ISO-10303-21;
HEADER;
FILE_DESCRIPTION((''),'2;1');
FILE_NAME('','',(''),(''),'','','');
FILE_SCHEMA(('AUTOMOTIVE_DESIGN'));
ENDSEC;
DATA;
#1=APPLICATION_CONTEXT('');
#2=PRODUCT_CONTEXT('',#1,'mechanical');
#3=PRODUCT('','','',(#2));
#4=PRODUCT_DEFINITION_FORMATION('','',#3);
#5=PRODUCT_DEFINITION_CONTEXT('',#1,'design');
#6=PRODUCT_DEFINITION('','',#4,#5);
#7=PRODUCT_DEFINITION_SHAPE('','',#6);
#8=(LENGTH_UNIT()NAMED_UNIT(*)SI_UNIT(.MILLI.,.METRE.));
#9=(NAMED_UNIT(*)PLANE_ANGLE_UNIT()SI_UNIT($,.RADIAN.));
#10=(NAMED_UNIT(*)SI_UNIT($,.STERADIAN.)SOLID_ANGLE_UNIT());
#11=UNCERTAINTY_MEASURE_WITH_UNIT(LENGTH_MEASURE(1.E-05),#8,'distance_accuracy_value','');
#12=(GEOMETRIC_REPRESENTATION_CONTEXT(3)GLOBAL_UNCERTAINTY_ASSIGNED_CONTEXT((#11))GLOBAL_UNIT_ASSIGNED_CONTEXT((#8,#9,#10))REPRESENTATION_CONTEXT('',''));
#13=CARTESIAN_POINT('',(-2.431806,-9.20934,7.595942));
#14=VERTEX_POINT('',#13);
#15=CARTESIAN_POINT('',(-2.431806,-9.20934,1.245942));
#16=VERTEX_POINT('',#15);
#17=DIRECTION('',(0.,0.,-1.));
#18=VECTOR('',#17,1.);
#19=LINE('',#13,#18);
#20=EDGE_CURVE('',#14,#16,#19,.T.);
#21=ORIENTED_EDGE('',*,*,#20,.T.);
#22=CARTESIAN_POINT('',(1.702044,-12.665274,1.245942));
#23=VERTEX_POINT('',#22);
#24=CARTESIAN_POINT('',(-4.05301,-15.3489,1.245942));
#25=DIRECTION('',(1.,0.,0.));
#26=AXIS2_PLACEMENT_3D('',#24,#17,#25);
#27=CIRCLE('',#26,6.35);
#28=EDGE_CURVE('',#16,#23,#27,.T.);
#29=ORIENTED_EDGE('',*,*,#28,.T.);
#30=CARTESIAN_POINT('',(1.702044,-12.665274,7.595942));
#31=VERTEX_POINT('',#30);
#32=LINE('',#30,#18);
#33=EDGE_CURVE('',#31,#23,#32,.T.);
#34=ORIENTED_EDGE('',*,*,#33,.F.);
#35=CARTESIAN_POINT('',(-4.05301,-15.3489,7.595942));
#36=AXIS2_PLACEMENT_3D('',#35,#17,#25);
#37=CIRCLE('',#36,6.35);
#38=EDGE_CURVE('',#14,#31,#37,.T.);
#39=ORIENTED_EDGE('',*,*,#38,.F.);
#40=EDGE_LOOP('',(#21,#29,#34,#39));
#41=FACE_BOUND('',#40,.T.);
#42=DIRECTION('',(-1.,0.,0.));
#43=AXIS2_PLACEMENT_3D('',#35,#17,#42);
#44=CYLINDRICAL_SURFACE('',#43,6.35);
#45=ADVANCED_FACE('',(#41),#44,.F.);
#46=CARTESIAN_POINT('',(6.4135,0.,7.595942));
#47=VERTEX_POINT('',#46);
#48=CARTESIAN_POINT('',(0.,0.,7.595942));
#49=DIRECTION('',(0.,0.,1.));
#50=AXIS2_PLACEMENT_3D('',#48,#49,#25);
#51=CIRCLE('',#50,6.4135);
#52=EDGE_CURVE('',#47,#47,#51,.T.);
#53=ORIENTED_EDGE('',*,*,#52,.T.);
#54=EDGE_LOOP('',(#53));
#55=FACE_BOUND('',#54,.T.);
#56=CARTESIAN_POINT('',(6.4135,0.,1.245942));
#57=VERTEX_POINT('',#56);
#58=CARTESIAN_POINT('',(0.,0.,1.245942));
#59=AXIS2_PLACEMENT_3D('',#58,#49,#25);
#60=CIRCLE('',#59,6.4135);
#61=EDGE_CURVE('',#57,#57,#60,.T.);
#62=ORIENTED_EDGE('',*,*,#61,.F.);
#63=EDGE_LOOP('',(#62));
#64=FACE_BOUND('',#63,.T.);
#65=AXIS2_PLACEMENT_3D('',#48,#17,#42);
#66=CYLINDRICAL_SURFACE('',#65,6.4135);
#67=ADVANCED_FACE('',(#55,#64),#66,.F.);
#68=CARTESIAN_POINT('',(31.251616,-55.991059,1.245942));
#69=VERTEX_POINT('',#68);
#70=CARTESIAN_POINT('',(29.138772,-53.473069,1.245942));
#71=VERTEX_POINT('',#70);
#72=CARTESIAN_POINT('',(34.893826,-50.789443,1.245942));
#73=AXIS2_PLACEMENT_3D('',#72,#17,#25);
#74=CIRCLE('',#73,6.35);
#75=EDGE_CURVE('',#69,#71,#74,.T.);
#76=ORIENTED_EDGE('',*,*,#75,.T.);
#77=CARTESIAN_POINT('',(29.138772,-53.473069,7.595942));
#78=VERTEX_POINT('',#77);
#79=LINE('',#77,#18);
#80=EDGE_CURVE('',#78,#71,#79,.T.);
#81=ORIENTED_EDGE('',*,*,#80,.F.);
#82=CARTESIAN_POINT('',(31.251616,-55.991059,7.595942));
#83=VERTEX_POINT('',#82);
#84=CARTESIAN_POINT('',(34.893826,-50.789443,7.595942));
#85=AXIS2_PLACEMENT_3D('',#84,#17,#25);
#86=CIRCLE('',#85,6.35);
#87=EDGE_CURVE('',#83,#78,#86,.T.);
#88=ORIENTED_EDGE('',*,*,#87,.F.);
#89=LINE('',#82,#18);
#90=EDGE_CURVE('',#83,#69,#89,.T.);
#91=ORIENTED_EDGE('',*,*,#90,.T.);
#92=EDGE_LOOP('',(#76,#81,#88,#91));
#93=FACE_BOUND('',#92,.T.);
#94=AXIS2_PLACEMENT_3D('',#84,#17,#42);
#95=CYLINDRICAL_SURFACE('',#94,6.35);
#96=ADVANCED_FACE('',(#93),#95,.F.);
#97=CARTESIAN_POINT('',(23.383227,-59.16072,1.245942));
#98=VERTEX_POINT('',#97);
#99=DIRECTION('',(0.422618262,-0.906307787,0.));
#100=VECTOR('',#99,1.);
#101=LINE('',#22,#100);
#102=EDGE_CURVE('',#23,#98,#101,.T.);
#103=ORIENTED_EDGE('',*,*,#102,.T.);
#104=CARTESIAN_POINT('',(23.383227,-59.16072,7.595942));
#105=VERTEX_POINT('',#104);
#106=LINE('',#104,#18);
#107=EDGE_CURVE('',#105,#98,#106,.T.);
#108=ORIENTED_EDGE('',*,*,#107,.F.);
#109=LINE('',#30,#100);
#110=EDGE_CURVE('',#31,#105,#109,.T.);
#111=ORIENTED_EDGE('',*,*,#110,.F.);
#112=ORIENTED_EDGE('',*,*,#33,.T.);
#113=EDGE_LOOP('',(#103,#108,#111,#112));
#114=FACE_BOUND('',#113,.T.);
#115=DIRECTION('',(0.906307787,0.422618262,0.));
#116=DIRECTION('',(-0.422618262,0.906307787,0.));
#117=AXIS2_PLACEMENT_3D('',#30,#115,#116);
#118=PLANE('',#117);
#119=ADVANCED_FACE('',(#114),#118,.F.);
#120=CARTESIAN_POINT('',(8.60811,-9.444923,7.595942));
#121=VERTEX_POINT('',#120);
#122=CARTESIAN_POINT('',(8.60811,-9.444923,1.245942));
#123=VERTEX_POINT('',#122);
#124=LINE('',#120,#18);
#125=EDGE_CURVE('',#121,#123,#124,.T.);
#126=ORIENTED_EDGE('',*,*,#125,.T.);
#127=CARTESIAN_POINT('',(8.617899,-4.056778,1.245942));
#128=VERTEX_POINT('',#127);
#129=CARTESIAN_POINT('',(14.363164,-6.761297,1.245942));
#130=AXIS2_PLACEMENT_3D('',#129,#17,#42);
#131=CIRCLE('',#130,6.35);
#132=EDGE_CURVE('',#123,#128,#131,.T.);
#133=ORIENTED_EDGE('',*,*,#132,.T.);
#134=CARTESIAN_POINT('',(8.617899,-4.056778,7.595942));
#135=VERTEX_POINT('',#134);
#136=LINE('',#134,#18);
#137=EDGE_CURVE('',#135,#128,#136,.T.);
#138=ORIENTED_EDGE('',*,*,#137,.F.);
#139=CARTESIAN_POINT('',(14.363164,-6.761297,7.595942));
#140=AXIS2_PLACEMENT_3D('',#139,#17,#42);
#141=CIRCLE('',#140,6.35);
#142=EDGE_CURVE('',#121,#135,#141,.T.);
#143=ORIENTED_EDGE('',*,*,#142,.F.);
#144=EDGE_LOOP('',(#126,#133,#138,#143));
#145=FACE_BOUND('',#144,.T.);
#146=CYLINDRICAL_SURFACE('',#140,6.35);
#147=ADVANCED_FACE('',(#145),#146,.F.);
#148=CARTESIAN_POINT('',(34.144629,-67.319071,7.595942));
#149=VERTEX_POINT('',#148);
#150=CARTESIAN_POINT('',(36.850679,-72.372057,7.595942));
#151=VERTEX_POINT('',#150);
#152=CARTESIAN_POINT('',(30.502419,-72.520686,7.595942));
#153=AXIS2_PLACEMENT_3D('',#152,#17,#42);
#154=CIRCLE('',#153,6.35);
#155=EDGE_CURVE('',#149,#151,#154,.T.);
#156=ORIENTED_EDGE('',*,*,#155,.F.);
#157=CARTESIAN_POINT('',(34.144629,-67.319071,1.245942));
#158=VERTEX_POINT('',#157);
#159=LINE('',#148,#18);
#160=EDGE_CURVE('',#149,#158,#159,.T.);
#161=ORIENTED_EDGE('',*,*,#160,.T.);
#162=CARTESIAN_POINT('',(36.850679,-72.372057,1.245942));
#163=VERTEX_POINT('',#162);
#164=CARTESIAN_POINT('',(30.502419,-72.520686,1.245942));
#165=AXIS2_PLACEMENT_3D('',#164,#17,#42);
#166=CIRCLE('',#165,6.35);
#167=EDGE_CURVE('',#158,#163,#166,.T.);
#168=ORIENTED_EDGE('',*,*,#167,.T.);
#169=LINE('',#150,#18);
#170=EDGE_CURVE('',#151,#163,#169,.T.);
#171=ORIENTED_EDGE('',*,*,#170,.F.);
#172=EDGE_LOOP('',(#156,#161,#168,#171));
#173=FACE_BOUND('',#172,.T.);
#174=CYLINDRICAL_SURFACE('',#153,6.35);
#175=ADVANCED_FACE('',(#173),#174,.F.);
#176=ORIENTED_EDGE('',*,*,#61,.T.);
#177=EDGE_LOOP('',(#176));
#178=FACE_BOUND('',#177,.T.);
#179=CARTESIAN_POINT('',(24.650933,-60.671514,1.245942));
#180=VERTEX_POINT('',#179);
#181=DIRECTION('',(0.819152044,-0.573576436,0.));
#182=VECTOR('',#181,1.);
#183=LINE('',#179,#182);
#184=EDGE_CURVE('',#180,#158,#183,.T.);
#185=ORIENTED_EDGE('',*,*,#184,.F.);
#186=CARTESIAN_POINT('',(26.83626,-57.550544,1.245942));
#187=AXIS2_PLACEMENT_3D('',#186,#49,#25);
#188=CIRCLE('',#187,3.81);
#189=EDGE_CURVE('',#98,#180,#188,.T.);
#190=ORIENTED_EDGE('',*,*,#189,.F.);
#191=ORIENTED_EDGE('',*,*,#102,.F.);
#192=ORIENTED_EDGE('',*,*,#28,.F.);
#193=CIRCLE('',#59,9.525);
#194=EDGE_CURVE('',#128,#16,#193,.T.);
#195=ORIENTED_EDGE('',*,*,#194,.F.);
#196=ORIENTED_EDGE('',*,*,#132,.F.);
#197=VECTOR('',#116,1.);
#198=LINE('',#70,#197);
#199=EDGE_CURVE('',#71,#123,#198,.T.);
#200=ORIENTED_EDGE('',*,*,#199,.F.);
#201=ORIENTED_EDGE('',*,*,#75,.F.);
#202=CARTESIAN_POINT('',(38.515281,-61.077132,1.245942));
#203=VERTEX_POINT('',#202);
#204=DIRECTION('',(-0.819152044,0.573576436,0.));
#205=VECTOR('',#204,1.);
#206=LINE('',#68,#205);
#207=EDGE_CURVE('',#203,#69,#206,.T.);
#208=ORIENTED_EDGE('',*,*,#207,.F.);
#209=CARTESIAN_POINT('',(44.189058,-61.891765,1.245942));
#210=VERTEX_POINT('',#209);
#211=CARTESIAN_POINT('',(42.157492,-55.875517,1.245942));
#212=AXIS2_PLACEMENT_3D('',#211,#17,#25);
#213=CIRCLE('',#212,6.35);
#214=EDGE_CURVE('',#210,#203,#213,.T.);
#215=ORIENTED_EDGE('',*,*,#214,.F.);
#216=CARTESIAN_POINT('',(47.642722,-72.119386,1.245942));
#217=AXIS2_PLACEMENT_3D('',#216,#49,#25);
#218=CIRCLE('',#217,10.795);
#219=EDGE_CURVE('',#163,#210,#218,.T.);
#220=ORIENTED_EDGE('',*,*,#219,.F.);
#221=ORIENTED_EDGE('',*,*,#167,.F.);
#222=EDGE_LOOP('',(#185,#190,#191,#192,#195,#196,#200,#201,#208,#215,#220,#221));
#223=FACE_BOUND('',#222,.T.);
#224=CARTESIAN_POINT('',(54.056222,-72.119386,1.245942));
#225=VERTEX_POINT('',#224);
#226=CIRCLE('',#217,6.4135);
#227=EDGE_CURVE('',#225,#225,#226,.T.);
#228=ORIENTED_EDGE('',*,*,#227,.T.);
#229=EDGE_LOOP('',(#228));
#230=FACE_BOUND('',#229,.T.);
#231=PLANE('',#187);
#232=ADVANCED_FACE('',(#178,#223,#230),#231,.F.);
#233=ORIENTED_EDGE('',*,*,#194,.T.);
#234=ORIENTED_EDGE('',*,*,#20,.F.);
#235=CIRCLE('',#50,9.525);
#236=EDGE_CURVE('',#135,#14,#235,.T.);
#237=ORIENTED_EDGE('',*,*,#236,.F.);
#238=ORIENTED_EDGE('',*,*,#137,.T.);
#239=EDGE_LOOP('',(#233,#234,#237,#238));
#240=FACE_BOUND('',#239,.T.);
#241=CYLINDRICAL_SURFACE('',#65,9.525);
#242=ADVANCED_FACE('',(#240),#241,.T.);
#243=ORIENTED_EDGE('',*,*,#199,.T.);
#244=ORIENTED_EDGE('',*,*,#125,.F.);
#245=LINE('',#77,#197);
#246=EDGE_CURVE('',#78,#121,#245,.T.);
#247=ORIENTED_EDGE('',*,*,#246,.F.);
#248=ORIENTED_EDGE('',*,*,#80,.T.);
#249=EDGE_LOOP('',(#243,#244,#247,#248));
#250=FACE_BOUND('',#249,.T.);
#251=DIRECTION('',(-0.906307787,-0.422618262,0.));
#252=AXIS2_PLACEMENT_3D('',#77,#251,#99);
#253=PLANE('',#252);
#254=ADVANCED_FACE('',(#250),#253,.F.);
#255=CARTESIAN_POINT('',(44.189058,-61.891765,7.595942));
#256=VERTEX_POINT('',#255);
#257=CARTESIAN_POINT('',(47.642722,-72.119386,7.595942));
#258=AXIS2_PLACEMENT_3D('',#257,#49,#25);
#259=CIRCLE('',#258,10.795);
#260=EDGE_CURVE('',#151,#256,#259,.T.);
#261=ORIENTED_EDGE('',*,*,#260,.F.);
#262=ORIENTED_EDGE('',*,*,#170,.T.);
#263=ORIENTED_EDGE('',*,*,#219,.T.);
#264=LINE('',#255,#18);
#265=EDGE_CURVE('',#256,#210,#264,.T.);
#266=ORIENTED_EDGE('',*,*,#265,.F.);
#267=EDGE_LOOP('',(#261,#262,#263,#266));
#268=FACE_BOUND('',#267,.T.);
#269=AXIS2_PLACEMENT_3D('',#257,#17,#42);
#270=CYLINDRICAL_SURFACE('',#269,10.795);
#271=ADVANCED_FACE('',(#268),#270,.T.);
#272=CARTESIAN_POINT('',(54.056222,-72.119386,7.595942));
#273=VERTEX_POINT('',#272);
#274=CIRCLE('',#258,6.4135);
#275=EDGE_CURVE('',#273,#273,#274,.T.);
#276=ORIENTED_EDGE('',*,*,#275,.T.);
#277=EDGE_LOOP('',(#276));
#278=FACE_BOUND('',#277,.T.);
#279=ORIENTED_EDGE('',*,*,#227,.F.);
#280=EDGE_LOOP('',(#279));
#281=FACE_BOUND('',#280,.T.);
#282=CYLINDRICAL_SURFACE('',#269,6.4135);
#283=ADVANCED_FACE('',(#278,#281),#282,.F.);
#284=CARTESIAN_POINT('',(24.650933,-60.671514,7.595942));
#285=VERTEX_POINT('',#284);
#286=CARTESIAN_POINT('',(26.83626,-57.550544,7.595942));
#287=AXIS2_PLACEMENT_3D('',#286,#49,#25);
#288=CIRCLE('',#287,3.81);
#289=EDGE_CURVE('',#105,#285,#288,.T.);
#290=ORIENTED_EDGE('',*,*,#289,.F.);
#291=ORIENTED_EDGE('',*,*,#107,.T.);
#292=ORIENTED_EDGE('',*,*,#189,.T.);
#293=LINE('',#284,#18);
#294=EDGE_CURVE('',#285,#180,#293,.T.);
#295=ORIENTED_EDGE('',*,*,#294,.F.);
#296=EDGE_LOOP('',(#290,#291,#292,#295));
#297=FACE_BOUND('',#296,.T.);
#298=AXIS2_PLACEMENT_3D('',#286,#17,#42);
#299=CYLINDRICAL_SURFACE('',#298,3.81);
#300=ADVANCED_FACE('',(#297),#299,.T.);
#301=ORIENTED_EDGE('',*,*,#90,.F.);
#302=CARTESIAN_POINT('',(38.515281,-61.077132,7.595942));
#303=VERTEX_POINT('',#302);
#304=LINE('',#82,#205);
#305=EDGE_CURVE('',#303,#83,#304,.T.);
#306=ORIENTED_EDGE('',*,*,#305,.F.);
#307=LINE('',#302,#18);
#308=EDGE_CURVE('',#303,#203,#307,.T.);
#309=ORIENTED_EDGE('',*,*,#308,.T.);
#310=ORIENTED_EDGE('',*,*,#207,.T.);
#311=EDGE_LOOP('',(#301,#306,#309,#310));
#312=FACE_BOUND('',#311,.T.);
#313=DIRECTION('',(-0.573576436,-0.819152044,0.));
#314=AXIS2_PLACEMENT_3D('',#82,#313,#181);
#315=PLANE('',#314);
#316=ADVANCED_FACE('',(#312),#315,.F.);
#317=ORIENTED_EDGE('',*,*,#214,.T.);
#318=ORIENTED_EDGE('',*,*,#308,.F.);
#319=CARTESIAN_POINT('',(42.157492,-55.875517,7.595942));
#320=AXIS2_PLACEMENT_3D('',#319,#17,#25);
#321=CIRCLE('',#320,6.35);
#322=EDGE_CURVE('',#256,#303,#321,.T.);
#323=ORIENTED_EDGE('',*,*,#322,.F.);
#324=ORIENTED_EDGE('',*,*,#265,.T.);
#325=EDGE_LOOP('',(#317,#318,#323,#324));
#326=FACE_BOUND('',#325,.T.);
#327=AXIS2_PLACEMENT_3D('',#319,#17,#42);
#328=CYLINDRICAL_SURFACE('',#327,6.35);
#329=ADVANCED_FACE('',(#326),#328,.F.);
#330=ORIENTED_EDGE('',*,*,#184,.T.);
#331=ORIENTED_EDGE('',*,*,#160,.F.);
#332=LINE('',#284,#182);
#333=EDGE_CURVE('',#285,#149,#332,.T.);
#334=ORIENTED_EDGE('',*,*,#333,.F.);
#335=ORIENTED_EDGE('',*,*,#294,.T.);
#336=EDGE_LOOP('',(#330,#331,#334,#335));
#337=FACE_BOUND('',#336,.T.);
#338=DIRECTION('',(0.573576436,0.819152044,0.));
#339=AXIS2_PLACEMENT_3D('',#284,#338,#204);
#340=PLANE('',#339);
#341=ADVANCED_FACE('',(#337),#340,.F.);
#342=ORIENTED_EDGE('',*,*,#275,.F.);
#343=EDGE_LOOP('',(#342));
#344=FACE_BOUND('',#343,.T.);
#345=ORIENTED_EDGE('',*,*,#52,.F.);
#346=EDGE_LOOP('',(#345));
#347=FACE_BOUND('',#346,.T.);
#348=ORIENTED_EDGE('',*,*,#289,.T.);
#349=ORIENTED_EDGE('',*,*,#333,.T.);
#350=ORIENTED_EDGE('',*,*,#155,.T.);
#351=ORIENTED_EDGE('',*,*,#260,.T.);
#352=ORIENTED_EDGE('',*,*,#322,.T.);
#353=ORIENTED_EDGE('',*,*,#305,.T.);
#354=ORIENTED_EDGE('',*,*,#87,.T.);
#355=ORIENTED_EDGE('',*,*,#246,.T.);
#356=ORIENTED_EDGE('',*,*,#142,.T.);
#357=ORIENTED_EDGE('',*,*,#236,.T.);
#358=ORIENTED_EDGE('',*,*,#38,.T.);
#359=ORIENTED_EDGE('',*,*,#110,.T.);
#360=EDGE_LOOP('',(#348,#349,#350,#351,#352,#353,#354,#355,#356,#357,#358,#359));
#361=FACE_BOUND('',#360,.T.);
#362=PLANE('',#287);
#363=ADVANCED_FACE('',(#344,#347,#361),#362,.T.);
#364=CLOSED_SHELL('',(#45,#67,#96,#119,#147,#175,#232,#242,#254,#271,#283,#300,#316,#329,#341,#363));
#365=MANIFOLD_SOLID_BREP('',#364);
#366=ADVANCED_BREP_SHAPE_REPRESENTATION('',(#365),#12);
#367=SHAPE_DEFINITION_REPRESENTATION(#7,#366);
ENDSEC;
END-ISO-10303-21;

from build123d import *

# Parameters (mm, degrees)
ESQUISSE2_R        = 6.4135
BOSS_EXTRU_1_DEPTH = 6.35


with BuildPart() as part:
    # Esquisse2 → Boss.-Extru.1 (new body)
    with BuildSketch(Plane(origin=(-37.908707754, 0, 1.245941937), x_dir=(1, 0, 0), z_dir=(0, 0, 1))):
        with BuildLine():
            Line((39.610752218, -12.665274164), (61.291934706, -59.160720054))
            ThreePointArc((61.291934706, -59.160720054), (61.826338046, -59.99956527), (62.559641152, -60.671513766))
            Line((62.559641152, -60.671513766), (72.053336788, -67.319071016))
            ThreePointArc((72.053336788, -67.319071016), (74.008942258, -69.522860983), (74.759386744, -72.372056668))
            ThreePointArc((74.759386744, -72.372056668), (94.394175617, -78.311143591), (82.097766158, -61.891764736))
            ThreePointArc((82.097766158, -61.891764736), (79.163730867, -62.161059907), (76.423989233, -61.077132438))
            Line((76.423989233, -61.077132438), (69.160323465, -55.991058912))
            ThreePointArc((69.160323465, -55.991058912), (67.938151622, -54.871144752), (67.047479388, -53.473069393))
            Line((67.047479388, -53.473069393), (46.516817555, -9.444923009))
            ThreePointArc((46.516817555, -9.444923009), (45.921882482, -6.749760897), (46.526606303, -4.056778228))
            ThreePointArc((46.526606303, -4.056778228), (33.883268811, 8.632581672), (35.476901763, -9.209340075))
            ThreePointArc((35.476901763, -9.209340075), (37.928555152, -10.477110645), (39.610752218, -12.665274164))
        make_face()
        with Locations((37.908707754, 0)):
            Circle(ESQUISSE2_R, mode=Mode.SUBTRACT)
        with Locations((85.551429299, -72.11938596)):
            Circle(ESQUISSE2_R, mode=Mode.SUBTRACT)
    extrude(amount=BOSS_EXTRU_1_DEPTH)


solid = part.part
